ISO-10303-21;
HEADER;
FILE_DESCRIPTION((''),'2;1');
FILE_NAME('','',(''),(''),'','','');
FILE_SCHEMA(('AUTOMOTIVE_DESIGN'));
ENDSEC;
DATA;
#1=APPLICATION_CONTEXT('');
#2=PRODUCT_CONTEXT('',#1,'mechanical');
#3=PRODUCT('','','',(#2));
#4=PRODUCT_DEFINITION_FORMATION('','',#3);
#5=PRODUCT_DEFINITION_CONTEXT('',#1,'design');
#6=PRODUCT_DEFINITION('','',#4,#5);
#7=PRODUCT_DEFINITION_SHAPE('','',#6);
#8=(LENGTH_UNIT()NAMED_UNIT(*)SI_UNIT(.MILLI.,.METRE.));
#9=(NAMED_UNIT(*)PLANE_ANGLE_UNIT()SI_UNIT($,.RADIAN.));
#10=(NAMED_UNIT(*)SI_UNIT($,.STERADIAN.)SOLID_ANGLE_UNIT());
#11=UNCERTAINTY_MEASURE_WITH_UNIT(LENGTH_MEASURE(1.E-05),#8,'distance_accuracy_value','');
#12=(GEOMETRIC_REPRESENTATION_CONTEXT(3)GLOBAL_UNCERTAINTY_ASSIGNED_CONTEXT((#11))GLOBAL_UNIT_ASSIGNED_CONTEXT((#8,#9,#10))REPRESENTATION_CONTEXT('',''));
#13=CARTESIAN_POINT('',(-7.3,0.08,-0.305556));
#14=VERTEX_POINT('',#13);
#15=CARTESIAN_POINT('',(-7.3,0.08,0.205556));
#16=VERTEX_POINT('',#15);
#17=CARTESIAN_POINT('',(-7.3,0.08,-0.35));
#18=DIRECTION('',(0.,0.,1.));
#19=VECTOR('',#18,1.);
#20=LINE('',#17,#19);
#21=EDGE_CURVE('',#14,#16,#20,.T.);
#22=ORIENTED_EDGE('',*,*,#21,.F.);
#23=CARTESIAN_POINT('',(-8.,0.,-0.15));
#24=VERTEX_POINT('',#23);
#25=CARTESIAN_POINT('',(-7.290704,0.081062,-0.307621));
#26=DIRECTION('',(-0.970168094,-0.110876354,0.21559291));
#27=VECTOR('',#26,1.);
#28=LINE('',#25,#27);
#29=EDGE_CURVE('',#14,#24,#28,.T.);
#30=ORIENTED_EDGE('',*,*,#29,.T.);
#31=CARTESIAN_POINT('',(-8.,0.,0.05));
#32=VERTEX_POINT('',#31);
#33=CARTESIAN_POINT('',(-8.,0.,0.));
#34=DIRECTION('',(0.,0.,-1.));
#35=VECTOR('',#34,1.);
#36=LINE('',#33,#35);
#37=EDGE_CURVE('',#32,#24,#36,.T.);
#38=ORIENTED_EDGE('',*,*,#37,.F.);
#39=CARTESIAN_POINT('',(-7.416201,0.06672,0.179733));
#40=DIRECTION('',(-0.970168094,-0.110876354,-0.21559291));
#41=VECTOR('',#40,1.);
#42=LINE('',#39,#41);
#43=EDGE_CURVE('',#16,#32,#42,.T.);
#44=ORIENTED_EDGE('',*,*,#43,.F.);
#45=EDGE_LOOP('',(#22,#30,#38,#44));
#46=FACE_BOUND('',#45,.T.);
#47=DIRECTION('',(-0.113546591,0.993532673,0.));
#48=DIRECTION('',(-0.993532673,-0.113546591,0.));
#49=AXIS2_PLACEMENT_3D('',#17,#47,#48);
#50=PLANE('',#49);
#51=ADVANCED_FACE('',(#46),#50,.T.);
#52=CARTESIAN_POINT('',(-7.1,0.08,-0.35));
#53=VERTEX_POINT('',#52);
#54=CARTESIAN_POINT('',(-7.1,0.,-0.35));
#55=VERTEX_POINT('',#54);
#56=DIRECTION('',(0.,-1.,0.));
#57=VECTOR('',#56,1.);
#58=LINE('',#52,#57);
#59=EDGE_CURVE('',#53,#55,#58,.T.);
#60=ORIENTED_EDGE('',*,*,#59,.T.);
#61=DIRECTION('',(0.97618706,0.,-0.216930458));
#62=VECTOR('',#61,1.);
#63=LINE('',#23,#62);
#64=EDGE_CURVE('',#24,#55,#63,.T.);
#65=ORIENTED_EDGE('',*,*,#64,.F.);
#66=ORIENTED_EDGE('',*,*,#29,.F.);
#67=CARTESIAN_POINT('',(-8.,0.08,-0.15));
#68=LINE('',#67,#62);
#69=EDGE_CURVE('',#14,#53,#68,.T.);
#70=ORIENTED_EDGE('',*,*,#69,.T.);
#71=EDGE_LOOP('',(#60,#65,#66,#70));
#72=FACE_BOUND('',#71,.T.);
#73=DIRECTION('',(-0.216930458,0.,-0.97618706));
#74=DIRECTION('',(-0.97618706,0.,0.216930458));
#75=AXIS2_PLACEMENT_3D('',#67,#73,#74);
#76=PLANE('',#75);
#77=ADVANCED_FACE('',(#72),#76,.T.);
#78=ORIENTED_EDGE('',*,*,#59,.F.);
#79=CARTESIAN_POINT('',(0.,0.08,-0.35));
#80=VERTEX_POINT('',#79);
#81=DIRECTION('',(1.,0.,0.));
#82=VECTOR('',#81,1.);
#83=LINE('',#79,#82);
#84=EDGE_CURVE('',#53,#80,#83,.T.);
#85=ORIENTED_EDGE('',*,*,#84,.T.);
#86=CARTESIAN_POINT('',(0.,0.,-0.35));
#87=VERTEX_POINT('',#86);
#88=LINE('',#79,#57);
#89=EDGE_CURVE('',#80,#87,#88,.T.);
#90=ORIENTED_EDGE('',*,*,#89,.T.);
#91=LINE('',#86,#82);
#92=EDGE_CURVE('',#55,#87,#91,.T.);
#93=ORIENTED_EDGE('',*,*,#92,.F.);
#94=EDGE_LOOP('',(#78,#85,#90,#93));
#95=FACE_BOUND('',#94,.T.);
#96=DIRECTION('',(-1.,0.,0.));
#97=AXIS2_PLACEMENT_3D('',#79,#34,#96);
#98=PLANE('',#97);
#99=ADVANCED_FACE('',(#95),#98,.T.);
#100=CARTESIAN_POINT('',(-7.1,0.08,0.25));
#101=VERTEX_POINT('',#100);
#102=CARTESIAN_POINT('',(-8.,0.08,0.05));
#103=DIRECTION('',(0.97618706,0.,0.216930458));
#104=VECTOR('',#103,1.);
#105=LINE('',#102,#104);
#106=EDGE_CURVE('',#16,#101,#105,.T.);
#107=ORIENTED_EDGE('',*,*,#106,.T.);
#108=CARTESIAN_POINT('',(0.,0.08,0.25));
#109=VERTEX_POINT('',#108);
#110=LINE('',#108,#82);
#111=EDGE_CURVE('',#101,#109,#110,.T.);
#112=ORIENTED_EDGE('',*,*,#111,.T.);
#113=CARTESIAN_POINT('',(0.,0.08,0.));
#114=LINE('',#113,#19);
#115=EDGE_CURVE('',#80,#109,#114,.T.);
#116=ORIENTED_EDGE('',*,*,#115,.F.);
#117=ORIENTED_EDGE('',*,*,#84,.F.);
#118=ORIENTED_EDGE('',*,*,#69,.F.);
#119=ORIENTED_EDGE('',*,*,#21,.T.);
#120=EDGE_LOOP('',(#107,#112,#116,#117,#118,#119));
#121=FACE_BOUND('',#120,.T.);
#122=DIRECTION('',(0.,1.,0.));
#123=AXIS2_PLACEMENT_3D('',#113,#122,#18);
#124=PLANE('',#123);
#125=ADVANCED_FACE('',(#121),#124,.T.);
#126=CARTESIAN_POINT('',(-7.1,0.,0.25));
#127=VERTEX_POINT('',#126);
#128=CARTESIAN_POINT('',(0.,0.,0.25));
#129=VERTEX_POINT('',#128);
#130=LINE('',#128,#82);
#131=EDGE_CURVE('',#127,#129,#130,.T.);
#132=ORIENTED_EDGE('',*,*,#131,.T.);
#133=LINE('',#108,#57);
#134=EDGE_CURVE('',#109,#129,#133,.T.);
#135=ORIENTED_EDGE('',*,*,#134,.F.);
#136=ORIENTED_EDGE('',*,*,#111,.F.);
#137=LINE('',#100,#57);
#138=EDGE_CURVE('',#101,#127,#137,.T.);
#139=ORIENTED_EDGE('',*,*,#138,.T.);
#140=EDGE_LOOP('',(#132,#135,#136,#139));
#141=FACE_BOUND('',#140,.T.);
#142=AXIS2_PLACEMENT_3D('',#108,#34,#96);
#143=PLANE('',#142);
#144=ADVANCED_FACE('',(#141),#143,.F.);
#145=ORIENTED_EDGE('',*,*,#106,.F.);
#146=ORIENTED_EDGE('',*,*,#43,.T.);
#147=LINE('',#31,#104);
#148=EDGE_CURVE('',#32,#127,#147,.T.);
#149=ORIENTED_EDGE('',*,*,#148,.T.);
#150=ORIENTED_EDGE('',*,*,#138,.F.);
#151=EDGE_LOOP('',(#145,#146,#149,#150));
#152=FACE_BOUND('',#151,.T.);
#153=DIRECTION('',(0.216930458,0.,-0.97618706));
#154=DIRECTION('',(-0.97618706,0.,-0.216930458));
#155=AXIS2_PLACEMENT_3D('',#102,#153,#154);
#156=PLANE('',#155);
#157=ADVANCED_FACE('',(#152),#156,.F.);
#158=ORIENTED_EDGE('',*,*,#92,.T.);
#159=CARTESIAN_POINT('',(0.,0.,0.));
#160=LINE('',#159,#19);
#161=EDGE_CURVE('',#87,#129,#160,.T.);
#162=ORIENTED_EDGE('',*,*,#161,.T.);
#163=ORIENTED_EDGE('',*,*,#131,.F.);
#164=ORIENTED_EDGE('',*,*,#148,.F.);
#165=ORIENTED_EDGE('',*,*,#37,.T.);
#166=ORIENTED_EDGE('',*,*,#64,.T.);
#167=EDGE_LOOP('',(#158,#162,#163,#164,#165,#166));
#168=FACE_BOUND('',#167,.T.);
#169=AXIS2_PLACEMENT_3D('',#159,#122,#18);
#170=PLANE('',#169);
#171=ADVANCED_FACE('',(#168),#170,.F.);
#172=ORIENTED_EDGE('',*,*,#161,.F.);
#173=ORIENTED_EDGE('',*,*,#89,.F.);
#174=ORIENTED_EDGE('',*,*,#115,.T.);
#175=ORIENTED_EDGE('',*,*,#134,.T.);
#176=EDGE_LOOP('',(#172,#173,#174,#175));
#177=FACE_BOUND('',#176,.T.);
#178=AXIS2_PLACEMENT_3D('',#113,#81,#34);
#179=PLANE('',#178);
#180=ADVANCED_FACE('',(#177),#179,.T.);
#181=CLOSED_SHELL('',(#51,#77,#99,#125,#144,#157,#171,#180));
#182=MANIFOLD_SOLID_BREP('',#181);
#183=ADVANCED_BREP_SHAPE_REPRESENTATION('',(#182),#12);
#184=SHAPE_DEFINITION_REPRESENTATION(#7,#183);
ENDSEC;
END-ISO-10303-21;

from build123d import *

# Parameters (mm, degrees)
BOSS_EXTRUDE1_DEPTH = 0.08
CUT_EXTRUDE3_DEPTH  = 9.022867318
CUT_EXTRUDE4_DEPTH  = 8.325052901


with BuildPart() as part:
    # Sketch1 → Boss-Extrude1 (new body)
    with BuildSketch(Plane(origin=(0, 0, 0), x_dir=(1, 0, 0), z_dir=(0, 1, 0))):
        Polygon((0, -0.25), (0, 0.35), (-4, 0.35), (-8, 0.35), (-8, -0.25), (-4, -0.25), align=None)
    extrude(amount=BOSS_EXTRUDE1_DEPTH)

    # Sketch5 → Cut-Extrude3 (cut, through all)
    with BuildSketch(Plane.XY.offset(0.25)):
        Polygon((-8, 0), (-8, 0.08), (-7.3, 0.08), align=None)
    extrude(amount=-CUT_EXTRUDE3_DEPTH, mode=Mode.SUBTRACT)

    # 3DSketch1 → Cut-Extrude4 (cut, through all)
    with BuildSketch(Plane(origin=(-7.3, 0.08, -0.35), x_dir=(-0.7592566023652966, 0, 0.6507913734559685), z_dir=(0, 1, 0))):
        Polygon((0.238623504, 0.585712236), (0.921954446, 0), (0.791796171, -0.15185132), align=None)
        Polygon((-0.15185132, 0.130158275), (0.531479622, -0.455553961), (0.661637896, -0.303702641), align=None)
    extrude(amount=-CUT_EXTRUDE4_DEPTH, mode=Mode.SUBTRACT)


solid = part.part
